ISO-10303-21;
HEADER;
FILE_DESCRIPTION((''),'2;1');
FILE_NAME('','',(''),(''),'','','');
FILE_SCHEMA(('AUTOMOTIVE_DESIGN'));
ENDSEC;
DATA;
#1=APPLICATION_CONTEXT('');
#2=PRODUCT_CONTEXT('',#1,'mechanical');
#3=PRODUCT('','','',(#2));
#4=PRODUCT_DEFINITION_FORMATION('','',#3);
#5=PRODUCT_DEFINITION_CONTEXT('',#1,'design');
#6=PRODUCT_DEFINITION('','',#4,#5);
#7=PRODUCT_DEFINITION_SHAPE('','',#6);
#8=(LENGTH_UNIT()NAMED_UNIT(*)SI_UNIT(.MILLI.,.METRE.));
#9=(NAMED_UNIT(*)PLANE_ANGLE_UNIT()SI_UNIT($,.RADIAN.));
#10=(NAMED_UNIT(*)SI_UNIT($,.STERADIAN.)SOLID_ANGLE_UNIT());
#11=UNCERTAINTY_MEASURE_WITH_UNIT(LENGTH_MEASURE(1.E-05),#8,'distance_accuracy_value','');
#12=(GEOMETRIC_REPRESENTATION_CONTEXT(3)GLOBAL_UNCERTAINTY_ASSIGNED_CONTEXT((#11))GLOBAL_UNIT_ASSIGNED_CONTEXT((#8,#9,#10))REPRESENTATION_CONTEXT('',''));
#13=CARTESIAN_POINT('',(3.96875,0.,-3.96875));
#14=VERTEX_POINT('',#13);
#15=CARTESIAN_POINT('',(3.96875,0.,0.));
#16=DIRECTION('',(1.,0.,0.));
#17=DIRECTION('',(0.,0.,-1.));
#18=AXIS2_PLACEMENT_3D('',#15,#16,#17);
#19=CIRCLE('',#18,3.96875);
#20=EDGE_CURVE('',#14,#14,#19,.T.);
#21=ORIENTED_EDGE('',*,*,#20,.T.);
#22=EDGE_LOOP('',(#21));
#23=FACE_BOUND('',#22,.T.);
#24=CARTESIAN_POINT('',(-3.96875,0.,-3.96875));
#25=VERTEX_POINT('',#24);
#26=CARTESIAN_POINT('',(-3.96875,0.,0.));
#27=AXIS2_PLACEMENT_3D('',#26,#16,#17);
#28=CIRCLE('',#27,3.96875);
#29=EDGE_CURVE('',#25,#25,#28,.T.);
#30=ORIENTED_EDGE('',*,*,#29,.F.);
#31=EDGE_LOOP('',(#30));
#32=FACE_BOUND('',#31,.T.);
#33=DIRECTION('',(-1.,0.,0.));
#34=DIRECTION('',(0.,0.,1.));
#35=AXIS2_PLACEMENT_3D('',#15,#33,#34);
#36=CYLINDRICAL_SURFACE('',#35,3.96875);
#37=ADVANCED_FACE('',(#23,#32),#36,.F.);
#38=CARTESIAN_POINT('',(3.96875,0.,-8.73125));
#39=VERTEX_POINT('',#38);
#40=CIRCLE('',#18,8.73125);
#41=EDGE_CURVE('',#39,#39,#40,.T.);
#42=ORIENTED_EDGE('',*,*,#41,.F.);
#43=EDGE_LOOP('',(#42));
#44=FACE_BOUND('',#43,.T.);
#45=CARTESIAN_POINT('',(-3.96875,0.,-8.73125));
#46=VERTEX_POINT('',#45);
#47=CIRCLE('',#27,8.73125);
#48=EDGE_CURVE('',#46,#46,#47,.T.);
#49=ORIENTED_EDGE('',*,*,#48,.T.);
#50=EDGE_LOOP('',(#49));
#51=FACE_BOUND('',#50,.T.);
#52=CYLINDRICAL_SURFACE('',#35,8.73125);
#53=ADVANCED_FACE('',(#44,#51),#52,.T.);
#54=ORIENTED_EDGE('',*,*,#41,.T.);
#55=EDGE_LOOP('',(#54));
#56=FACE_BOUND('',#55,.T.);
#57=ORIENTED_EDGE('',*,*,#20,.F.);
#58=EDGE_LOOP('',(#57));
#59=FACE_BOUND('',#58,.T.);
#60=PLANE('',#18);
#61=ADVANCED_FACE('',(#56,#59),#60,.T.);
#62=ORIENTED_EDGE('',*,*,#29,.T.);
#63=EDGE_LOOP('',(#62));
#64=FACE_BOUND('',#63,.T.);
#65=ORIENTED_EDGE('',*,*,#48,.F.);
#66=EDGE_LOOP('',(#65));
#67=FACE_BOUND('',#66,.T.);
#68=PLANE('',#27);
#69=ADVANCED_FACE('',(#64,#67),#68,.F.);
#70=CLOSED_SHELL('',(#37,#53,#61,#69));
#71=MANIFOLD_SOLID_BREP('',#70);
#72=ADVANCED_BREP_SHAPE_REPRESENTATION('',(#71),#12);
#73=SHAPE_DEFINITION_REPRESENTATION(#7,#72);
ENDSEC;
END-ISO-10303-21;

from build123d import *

# Parameters (mm, degrees)
SKETCH1_R           = 8.73125
SKETCH1_R_2         = 3.96875
BOSS_EXTRUDE1_DEPTH = 3.96875


with BuildPart() as part:
    # Sketch1 → Boss-Extrude1 (new body, symmetric)
    with BuildSketch(Plane(origin=(0, 0, 0), x_dir=(0, 0, -1), z_dir=(1, 0, 0))):
        Circle(SKETCH1_R)
        Circle(SKETCH1_R_2, mode=Mode.SUBTRACT)
    extrude(amount=BOSS_EXTRUDE1_DEPTH, both=True)


solid = part.part
